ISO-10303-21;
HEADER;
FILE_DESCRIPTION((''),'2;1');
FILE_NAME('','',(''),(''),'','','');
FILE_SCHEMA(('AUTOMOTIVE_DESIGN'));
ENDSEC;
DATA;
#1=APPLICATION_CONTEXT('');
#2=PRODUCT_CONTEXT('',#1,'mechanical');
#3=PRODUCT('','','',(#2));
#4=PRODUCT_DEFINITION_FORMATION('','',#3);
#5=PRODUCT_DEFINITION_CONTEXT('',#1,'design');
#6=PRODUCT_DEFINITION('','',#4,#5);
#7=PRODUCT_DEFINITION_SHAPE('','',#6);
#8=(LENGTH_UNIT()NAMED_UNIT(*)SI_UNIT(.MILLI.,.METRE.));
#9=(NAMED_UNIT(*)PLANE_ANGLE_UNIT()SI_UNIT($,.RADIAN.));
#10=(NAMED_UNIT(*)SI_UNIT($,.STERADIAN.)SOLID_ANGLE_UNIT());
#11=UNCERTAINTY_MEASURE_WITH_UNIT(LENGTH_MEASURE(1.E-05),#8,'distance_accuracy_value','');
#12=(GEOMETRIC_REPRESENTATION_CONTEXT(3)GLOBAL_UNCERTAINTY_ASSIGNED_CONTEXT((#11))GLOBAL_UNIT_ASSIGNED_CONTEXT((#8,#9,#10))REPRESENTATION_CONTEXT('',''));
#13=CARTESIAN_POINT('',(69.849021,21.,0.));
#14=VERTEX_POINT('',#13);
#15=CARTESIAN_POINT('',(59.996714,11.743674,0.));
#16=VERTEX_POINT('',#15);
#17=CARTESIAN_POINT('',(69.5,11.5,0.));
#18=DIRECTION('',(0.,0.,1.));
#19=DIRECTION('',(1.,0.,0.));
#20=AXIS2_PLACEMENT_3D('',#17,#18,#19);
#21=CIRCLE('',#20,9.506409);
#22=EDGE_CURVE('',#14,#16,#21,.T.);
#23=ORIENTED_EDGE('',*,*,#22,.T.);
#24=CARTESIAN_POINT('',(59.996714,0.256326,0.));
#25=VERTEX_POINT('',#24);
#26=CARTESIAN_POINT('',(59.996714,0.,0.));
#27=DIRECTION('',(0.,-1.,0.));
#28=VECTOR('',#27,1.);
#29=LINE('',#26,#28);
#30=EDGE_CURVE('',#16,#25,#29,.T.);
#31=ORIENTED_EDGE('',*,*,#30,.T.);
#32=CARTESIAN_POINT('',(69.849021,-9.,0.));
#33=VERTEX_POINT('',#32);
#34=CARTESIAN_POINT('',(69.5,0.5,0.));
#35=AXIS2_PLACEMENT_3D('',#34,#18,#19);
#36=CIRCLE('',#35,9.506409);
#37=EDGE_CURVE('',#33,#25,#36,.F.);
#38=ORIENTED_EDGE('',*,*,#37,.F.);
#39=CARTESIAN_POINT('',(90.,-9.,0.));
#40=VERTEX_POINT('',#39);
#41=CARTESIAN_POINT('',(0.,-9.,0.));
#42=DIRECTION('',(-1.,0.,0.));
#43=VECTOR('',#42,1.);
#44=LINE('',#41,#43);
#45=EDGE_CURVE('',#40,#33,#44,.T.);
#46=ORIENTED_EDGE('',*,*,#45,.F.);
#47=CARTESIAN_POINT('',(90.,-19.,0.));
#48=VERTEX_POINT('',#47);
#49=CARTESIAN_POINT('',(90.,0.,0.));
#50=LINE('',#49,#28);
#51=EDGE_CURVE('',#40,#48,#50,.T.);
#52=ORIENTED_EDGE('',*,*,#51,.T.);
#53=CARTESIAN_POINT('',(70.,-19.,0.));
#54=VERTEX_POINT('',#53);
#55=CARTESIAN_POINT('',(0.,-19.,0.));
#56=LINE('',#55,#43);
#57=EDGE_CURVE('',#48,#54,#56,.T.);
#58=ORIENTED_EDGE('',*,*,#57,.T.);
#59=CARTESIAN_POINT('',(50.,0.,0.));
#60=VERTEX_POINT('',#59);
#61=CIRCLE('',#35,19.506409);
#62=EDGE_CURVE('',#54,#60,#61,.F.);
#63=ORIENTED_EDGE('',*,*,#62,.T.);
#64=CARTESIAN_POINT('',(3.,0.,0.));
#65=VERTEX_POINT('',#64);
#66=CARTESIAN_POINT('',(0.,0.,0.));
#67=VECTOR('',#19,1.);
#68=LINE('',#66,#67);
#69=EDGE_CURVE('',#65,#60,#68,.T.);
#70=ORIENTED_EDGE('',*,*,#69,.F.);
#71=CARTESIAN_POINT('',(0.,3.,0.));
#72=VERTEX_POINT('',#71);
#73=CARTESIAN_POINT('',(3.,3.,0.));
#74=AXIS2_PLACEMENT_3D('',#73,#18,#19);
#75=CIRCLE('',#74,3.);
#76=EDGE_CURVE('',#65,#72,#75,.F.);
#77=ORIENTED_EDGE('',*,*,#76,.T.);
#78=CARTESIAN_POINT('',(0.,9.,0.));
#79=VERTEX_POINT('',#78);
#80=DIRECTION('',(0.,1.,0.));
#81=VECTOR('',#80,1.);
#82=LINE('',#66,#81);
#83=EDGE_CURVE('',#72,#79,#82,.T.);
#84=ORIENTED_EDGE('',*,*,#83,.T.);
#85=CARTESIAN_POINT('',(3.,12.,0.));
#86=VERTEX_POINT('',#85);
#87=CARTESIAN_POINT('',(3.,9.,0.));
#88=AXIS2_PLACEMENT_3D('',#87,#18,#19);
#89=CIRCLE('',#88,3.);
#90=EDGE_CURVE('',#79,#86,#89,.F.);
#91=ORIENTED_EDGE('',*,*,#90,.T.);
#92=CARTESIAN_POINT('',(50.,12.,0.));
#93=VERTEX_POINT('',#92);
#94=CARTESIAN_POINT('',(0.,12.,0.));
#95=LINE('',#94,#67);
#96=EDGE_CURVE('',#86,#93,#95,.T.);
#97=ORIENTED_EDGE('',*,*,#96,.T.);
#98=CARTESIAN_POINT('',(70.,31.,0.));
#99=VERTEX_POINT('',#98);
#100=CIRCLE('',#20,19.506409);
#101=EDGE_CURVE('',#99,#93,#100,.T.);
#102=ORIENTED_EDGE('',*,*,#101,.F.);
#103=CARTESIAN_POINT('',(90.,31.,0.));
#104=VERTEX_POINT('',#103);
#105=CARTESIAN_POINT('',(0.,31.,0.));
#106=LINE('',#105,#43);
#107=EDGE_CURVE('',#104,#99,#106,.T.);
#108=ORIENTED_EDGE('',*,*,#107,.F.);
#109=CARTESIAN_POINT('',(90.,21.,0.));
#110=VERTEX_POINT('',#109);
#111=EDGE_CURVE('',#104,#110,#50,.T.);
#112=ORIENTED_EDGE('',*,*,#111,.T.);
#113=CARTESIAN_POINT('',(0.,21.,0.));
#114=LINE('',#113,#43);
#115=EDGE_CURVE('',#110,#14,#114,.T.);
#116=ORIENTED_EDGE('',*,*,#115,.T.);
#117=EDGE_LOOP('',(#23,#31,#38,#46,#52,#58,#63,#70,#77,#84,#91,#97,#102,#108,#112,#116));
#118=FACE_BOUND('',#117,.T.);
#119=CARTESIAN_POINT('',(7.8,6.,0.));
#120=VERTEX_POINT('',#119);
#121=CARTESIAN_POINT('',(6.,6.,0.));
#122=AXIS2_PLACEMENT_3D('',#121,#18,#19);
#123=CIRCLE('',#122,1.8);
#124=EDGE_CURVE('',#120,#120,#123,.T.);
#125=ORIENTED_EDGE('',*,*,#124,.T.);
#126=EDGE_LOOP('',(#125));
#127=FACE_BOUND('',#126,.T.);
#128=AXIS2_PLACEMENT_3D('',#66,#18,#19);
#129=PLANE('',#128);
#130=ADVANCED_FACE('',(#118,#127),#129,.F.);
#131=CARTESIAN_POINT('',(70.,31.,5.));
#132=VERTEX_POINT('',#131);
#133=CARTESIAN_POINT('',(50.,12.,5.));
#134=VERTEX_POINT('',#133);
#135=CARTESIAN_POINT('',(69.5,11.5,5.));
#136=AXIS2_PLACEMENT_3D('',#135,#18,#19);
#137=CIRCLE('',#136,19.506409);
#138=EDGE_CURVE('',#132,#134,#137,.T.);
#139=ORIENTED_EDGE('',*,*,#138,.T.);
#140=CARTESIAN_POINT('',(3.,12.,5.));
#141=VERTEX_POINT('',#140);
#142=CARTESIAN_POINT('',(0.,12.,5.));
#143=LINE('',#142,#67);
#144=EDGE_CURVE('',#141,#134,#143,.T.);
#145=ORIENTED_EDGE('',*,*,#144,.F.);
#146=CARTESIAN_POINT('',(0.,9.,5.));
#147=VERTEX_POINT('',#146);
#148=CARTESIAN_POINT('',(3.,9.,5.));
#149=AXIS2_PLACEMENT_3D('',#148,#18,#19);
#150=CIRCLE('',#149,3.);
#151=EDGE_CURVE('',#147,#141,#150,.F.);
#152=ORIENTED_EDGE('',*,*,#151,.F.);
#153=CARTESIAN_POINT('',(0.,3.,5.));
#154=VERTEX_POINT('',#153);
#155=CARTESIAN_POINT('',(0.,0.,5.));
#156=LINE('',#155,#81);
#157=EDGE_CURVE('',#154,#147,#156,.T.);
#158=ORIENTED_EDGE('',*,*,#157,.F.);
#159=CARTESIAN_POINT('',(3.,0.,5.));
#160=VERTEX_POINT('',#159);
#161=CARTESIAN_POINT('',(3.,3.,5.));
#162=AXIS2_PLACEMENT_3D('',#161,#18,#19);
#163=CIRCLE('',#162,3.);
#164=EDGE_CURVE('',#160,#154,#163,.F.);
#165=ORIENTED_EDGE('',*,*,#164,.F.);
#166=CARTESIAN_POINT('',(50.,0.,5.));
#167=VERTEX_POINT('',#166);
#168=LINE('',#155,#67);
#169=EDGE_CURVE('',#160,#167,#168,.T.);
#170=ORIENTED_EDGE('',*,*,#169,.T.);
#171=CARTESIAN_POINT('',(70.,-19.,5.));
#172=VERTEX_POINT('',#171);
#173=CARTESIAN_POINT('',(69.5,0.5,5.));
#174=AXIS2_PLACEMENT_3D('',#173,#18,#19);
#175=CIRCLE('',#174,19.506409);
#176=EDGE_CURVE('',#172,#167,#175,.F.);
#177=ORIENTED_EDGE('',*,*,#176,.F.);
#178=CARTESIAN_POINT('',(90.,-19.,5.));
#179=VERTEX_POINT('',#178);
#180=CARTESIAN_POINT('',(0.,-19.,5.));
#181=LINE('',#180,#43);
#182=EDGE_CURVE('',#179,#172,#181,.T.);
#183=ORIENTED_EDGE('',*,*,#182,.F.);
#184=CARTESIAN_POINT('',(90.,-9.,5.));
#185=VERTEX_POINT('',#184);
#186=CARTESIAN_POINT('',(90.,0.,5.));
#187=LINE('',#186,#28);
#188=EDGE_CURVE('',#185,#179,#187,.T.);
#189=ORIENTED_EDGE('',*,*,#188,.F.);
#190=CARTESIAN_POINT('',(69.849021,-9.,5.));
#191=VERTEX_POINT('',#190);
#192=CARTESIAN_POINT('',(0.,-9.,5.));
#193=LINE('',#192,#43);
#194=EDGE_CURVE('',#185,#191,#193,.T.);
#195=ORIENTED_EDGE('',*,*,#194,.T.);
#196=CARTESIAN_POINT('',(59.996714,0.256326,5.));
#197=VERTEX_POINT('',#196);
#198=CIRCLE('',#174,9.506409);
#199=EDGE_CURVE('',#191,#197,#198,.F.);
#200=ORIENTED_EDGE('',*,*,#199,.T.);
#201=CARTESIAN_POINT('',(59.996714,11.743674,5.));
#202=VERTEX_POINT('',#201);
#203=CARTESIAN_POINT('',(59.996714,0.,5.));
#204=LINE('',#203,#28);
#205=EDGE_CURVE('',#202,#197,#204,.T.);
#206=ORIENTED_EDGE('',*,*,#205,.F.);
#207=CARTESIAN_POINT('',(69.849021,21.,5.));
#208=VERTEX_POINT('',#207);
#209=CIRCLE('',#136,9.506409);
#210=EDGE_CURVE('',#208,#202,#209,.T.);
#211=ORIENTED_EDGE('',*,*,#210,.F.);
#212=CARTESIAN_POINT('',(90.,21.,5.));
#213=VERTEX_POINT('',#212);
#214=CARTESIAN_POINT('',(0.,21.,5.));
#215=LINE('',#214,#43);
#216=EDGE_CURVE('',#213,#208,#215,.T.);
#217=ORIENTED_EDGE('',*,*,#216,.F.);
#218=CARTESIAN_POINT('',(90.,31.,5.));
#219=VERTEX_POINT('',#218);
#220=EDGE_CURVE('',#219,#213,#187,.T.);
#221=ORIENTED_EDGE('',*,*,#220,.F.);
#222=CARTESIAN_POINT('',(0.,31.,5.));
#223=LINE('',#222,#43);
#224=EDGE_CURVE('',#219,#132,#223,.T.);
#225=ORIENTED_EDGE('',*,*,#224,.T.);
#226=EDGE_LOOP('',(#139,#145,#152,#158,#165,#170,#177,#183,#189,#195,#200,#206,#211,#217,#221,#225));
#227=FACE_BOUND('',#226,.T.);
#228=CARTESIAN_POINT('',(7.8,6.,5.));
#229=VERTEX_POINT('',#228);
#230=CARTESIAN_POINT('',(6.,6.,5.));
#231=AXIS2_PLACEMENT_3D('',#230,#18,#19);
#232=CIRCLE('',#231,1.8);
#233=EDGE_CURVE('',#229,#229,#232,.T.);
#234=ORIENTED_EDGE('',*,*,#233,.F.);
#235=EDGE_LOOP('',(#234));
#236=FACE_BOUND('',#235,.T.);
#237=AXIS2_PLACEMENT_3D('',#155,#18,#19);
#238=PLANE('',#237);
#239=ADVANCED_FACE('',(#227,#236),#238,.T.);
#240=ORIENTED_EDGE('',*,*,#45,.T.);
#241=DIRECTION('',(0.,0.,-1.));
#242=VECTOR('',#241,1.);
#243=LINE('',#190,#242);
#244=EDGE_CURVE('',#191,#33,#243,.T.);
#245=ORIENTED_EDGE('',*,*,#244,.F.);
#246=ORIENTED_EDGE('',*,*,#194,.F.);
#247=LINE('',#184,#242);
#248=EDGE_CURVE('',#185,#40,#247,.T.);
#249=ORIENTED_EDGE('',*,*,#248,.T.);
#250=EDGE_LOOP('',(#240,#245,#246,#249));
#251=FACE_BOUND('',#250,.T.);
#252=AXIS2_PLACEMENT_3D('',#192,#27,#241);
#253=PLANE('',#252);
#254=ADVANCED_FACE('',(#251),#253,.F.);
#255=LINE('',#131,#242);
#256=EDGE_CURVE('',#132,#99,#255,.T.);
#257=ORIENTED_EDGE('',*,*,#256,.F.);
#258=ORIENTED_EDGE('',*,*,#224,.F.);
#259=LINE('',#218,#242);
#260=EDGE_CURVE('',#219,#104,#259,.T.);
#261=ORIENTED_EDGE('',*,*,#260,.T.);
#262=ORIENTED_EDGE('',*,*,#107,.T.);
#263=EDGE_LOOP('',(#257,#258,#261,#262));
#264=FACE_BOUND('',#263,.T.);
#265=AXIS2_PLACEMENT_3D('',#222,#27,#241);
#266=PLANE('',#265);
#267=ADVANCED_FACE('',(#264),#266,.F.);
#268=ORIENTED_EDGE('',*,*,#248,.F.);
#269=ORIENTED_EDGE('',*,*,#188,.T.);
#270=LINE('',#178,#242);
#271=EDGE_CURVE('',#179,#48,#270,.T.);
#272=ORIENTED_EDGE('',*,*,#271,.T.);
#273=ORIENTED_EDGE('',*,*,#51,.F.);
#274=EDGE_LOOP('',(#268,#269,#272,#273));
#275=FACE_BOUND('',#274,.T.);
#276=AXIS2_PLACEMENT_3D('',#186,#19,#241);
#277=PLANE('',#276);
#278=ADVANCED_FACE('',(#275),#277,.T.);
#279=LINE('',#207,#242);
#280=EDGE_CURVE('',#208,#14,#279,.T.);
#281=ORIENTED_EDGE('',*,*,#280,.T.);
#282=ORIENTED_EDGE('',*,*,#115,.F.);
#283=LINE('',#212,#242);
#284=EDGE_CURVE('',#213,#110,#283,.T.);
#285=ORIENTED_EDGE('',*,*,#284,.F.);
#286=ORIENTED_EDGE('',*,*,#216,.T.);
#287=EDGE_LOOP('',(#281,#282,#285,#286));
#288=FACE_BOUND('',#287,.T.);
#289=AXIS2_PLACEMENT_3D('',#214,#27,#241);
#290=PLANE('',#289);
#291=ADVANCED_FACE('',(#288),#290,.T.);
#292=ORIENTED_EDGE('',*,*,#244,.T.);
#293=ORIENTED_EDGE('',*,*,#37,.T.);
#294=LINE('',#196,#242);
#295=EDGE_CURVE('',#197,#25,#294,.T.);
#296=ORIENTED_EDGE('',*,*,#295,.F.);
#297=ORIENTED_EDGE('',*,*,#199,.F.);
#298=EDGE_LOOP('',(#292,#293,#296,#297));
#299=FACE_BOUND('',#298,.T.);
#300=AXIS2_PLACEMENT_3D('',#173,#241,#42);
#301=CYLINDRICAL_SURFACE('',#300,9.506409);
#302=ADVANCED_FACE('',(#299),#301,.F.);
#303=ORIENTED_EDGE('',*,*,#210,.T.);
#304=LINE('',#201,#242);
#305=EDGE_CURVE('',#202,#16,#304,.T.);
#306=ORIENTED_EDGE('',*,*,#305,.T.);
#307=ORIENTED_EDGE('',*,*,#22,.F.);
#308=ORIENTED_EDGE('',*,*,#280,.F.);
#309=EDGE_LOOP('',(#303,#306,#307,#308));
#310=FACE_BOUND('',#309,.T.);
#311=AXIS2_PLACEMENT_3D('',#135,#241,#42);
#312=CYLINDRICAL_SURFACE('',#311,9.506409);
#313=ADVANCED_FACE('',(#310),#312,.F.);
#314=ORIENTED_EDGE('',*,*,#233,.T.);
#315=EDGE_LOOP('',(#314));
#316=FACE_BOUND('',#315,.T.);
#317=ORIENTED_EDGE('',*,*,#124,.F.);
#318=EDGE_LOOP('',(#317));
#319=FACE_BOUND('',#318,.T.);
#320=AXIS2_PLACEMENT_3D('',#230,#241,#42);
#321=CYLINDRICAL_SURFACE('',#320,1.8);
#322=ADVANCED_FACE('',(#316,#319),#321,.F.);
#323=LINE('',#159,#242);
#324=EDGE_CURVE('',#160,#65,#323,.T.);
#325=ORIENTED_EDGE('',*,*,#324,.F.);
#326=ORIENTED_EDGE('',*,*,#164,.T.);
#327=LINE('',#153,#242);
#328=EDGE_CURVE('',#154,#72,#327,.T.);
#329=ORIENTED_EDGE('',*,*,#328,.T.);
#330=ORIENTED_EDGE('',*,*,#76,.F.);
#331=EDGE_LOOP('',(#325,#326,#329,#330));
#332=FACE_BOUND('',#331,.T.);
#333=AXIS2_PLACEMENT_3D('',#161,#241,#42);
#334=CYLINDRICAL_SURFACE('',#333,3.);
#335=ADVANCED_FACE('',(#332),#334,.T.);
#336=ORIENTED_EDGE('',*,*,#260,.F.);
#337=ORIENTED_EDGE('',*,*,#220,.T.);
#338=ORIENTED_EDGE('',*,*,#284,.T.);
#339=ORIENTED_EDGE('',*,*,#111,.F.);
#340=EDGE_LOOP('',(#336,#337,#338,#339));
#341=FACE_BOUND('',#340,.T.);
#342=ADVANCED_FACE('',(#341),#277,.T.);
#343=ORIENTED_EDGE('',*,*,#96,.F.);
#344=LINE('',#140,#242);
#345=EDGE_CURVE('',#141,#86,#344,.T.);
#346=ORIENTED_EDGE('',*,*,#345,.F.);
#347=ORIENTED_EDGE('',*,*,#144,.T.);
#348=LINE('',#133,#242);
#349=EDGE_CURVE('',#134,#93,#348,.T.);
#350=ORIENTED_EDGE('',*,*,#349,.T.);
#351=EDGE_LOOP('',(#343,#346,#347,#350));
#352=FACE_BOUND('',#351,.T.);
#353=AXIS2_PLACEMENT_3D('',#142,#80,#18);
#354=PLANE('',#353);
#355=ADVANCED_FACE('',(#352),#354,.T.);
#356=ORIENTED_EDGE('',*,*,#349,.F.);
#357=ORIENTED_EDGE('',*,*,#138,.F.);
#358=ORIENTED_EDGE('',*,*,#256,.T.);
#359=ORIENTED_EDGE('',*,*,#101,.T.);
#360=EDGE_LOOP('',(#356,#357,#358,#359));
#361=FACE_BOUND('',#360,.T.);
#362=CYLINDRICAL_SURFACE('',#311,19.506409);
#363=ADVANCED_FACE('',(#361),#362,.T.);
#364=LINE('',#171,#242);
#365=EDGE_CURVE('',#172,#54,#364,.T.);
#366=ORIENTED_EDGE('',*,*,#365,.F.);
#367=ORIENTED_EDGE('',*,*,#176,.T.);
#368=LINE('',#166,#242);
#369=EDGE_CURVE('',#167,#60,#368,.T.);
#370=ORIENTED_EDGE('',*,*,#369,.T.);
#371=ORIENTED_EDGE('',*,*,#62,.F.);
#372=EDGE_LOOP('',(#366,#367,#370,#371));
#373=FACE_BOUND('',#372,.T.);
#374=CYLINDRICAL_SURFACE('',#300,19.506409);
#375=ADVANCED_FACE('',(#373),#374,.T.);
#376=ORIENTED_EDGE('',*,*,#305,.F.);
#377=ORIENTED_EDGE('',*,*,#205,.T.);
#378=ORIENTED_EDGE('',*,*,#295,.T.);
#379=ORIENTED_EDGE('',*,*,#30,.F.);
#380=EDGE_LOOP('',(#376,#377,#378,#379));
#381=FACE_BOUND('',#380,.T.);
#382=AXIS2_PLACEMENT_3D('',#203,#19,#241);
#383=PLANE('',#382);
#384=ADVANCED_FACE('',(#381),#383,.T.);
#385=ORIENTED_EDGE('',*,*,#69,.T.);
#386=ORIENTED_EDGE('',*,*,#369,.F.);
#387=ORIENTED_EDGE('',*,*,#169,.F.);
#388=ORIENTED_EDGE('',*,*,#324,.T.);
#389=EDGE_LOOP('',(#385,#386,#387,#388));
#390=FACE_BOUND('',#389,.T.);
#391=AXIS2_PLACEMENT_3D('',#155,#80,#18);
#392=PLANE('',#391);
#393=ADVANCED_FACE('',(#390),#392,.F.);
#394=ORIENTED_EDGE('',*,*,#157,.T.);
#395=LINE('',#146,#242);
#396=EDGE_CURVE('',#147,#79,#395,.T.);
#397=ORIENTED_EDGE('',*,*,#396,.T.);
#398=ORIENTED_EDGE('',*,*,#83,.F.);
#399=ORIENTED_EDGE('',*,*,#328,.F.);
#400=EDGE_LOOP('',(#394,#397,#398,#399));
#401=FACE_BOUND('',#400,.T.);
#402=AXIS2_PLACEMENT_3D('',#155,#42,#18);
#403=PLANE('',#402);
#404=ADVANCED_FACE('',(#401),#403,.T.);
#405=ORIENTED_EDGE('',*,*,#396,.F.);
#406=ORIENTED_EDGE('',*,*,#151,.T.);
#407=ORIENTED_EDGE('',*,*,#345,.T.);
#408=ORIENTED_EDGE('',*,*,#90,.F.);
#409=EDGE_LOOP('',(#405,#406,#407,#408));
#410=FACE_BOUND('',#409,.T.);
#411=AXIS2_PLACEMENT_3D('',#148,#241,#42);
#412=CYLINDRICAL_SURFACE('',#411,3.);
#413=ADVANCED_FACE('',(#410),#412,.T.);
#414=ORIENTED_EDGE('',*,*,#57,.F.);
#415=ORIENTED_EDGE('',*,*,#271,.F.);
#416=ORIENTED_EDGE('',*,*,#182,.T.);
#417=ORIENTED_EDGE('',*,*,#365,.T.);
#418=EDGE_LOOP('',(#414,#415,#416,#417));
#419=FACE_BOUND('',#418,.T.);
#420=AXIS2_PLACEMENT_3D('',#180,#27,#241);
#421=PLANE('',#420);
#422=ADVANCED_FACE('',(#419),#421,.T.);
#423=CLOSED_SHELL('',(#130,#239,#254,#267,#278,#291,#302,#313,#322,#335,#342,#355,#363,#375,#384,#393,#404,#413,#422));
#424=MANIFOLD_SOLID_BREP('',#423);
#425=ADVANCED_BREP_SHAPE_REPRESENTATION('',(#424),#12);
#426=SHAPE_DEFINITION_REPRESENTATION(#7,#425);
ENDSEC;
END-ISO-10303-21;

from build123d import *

# Parameters (mm, degrees)
SKETCH1_R           = 1.8
BOSS_EXTRUDE2_DEPTH = 5


with BuildPart() as part:
    # Sketch1 → Boss-Extrude2 (new body)
    # profile 1 of 2: a face of its own
    with BuildSketch(Plane.XY):
        with BuildLine():
            ThreePointArc((0, 9), (0.878679656, 11.121320344), (3, 12))
            Line((3, 12), (50, 12))
            Line((50, 12), (50, 0))
            Line((50, 0), (3, 0))
            ThreePointArc((3, 0), (0.878679656, 0.878679656), (0, 3))
            Line((0, 3), (0, 9))
        make_face()
        with Locations((6, 6)):
            Circle(SKETCH1_R, mode=Mode.SUBTRACT)
    # profile 2 of 2: a face of its own
    with BuildSketch(Plane.XY):
        with BuildLine():
            Line((90, -9), (69.8490214, -9))
            ThreePointArc((69.8490214, -9), (62.990773359, -6.428332012), (59.996714309, 0.256326008))
            Line((59.996714309, 0.256326008), (59.996714309, 11.743673992))
            ThreePointArc((59.996714309, 11.743673992), (62.990773359, 18.428332012), (69.8490214, 21))
            Line((69.8490214, 21), (90, 21))
            Line((90, 21), (90, 31))
            Line((90, 31), (70, 31))
            ThreePointArc((70, 31), (56.064971157, 25.642135624), (50, 12))
            Line((50, 12), (50, 0))
            ThreePointArc((50, 0), (56.064971157, -13.642135624), (70, -19))
            Line((70, -19), (90, -19))
            Line((90, -19), (90, -9))
        make_face()
    extrude(amount=BOSS_EXTRUDE2_DEPTH)


solid = part.part
